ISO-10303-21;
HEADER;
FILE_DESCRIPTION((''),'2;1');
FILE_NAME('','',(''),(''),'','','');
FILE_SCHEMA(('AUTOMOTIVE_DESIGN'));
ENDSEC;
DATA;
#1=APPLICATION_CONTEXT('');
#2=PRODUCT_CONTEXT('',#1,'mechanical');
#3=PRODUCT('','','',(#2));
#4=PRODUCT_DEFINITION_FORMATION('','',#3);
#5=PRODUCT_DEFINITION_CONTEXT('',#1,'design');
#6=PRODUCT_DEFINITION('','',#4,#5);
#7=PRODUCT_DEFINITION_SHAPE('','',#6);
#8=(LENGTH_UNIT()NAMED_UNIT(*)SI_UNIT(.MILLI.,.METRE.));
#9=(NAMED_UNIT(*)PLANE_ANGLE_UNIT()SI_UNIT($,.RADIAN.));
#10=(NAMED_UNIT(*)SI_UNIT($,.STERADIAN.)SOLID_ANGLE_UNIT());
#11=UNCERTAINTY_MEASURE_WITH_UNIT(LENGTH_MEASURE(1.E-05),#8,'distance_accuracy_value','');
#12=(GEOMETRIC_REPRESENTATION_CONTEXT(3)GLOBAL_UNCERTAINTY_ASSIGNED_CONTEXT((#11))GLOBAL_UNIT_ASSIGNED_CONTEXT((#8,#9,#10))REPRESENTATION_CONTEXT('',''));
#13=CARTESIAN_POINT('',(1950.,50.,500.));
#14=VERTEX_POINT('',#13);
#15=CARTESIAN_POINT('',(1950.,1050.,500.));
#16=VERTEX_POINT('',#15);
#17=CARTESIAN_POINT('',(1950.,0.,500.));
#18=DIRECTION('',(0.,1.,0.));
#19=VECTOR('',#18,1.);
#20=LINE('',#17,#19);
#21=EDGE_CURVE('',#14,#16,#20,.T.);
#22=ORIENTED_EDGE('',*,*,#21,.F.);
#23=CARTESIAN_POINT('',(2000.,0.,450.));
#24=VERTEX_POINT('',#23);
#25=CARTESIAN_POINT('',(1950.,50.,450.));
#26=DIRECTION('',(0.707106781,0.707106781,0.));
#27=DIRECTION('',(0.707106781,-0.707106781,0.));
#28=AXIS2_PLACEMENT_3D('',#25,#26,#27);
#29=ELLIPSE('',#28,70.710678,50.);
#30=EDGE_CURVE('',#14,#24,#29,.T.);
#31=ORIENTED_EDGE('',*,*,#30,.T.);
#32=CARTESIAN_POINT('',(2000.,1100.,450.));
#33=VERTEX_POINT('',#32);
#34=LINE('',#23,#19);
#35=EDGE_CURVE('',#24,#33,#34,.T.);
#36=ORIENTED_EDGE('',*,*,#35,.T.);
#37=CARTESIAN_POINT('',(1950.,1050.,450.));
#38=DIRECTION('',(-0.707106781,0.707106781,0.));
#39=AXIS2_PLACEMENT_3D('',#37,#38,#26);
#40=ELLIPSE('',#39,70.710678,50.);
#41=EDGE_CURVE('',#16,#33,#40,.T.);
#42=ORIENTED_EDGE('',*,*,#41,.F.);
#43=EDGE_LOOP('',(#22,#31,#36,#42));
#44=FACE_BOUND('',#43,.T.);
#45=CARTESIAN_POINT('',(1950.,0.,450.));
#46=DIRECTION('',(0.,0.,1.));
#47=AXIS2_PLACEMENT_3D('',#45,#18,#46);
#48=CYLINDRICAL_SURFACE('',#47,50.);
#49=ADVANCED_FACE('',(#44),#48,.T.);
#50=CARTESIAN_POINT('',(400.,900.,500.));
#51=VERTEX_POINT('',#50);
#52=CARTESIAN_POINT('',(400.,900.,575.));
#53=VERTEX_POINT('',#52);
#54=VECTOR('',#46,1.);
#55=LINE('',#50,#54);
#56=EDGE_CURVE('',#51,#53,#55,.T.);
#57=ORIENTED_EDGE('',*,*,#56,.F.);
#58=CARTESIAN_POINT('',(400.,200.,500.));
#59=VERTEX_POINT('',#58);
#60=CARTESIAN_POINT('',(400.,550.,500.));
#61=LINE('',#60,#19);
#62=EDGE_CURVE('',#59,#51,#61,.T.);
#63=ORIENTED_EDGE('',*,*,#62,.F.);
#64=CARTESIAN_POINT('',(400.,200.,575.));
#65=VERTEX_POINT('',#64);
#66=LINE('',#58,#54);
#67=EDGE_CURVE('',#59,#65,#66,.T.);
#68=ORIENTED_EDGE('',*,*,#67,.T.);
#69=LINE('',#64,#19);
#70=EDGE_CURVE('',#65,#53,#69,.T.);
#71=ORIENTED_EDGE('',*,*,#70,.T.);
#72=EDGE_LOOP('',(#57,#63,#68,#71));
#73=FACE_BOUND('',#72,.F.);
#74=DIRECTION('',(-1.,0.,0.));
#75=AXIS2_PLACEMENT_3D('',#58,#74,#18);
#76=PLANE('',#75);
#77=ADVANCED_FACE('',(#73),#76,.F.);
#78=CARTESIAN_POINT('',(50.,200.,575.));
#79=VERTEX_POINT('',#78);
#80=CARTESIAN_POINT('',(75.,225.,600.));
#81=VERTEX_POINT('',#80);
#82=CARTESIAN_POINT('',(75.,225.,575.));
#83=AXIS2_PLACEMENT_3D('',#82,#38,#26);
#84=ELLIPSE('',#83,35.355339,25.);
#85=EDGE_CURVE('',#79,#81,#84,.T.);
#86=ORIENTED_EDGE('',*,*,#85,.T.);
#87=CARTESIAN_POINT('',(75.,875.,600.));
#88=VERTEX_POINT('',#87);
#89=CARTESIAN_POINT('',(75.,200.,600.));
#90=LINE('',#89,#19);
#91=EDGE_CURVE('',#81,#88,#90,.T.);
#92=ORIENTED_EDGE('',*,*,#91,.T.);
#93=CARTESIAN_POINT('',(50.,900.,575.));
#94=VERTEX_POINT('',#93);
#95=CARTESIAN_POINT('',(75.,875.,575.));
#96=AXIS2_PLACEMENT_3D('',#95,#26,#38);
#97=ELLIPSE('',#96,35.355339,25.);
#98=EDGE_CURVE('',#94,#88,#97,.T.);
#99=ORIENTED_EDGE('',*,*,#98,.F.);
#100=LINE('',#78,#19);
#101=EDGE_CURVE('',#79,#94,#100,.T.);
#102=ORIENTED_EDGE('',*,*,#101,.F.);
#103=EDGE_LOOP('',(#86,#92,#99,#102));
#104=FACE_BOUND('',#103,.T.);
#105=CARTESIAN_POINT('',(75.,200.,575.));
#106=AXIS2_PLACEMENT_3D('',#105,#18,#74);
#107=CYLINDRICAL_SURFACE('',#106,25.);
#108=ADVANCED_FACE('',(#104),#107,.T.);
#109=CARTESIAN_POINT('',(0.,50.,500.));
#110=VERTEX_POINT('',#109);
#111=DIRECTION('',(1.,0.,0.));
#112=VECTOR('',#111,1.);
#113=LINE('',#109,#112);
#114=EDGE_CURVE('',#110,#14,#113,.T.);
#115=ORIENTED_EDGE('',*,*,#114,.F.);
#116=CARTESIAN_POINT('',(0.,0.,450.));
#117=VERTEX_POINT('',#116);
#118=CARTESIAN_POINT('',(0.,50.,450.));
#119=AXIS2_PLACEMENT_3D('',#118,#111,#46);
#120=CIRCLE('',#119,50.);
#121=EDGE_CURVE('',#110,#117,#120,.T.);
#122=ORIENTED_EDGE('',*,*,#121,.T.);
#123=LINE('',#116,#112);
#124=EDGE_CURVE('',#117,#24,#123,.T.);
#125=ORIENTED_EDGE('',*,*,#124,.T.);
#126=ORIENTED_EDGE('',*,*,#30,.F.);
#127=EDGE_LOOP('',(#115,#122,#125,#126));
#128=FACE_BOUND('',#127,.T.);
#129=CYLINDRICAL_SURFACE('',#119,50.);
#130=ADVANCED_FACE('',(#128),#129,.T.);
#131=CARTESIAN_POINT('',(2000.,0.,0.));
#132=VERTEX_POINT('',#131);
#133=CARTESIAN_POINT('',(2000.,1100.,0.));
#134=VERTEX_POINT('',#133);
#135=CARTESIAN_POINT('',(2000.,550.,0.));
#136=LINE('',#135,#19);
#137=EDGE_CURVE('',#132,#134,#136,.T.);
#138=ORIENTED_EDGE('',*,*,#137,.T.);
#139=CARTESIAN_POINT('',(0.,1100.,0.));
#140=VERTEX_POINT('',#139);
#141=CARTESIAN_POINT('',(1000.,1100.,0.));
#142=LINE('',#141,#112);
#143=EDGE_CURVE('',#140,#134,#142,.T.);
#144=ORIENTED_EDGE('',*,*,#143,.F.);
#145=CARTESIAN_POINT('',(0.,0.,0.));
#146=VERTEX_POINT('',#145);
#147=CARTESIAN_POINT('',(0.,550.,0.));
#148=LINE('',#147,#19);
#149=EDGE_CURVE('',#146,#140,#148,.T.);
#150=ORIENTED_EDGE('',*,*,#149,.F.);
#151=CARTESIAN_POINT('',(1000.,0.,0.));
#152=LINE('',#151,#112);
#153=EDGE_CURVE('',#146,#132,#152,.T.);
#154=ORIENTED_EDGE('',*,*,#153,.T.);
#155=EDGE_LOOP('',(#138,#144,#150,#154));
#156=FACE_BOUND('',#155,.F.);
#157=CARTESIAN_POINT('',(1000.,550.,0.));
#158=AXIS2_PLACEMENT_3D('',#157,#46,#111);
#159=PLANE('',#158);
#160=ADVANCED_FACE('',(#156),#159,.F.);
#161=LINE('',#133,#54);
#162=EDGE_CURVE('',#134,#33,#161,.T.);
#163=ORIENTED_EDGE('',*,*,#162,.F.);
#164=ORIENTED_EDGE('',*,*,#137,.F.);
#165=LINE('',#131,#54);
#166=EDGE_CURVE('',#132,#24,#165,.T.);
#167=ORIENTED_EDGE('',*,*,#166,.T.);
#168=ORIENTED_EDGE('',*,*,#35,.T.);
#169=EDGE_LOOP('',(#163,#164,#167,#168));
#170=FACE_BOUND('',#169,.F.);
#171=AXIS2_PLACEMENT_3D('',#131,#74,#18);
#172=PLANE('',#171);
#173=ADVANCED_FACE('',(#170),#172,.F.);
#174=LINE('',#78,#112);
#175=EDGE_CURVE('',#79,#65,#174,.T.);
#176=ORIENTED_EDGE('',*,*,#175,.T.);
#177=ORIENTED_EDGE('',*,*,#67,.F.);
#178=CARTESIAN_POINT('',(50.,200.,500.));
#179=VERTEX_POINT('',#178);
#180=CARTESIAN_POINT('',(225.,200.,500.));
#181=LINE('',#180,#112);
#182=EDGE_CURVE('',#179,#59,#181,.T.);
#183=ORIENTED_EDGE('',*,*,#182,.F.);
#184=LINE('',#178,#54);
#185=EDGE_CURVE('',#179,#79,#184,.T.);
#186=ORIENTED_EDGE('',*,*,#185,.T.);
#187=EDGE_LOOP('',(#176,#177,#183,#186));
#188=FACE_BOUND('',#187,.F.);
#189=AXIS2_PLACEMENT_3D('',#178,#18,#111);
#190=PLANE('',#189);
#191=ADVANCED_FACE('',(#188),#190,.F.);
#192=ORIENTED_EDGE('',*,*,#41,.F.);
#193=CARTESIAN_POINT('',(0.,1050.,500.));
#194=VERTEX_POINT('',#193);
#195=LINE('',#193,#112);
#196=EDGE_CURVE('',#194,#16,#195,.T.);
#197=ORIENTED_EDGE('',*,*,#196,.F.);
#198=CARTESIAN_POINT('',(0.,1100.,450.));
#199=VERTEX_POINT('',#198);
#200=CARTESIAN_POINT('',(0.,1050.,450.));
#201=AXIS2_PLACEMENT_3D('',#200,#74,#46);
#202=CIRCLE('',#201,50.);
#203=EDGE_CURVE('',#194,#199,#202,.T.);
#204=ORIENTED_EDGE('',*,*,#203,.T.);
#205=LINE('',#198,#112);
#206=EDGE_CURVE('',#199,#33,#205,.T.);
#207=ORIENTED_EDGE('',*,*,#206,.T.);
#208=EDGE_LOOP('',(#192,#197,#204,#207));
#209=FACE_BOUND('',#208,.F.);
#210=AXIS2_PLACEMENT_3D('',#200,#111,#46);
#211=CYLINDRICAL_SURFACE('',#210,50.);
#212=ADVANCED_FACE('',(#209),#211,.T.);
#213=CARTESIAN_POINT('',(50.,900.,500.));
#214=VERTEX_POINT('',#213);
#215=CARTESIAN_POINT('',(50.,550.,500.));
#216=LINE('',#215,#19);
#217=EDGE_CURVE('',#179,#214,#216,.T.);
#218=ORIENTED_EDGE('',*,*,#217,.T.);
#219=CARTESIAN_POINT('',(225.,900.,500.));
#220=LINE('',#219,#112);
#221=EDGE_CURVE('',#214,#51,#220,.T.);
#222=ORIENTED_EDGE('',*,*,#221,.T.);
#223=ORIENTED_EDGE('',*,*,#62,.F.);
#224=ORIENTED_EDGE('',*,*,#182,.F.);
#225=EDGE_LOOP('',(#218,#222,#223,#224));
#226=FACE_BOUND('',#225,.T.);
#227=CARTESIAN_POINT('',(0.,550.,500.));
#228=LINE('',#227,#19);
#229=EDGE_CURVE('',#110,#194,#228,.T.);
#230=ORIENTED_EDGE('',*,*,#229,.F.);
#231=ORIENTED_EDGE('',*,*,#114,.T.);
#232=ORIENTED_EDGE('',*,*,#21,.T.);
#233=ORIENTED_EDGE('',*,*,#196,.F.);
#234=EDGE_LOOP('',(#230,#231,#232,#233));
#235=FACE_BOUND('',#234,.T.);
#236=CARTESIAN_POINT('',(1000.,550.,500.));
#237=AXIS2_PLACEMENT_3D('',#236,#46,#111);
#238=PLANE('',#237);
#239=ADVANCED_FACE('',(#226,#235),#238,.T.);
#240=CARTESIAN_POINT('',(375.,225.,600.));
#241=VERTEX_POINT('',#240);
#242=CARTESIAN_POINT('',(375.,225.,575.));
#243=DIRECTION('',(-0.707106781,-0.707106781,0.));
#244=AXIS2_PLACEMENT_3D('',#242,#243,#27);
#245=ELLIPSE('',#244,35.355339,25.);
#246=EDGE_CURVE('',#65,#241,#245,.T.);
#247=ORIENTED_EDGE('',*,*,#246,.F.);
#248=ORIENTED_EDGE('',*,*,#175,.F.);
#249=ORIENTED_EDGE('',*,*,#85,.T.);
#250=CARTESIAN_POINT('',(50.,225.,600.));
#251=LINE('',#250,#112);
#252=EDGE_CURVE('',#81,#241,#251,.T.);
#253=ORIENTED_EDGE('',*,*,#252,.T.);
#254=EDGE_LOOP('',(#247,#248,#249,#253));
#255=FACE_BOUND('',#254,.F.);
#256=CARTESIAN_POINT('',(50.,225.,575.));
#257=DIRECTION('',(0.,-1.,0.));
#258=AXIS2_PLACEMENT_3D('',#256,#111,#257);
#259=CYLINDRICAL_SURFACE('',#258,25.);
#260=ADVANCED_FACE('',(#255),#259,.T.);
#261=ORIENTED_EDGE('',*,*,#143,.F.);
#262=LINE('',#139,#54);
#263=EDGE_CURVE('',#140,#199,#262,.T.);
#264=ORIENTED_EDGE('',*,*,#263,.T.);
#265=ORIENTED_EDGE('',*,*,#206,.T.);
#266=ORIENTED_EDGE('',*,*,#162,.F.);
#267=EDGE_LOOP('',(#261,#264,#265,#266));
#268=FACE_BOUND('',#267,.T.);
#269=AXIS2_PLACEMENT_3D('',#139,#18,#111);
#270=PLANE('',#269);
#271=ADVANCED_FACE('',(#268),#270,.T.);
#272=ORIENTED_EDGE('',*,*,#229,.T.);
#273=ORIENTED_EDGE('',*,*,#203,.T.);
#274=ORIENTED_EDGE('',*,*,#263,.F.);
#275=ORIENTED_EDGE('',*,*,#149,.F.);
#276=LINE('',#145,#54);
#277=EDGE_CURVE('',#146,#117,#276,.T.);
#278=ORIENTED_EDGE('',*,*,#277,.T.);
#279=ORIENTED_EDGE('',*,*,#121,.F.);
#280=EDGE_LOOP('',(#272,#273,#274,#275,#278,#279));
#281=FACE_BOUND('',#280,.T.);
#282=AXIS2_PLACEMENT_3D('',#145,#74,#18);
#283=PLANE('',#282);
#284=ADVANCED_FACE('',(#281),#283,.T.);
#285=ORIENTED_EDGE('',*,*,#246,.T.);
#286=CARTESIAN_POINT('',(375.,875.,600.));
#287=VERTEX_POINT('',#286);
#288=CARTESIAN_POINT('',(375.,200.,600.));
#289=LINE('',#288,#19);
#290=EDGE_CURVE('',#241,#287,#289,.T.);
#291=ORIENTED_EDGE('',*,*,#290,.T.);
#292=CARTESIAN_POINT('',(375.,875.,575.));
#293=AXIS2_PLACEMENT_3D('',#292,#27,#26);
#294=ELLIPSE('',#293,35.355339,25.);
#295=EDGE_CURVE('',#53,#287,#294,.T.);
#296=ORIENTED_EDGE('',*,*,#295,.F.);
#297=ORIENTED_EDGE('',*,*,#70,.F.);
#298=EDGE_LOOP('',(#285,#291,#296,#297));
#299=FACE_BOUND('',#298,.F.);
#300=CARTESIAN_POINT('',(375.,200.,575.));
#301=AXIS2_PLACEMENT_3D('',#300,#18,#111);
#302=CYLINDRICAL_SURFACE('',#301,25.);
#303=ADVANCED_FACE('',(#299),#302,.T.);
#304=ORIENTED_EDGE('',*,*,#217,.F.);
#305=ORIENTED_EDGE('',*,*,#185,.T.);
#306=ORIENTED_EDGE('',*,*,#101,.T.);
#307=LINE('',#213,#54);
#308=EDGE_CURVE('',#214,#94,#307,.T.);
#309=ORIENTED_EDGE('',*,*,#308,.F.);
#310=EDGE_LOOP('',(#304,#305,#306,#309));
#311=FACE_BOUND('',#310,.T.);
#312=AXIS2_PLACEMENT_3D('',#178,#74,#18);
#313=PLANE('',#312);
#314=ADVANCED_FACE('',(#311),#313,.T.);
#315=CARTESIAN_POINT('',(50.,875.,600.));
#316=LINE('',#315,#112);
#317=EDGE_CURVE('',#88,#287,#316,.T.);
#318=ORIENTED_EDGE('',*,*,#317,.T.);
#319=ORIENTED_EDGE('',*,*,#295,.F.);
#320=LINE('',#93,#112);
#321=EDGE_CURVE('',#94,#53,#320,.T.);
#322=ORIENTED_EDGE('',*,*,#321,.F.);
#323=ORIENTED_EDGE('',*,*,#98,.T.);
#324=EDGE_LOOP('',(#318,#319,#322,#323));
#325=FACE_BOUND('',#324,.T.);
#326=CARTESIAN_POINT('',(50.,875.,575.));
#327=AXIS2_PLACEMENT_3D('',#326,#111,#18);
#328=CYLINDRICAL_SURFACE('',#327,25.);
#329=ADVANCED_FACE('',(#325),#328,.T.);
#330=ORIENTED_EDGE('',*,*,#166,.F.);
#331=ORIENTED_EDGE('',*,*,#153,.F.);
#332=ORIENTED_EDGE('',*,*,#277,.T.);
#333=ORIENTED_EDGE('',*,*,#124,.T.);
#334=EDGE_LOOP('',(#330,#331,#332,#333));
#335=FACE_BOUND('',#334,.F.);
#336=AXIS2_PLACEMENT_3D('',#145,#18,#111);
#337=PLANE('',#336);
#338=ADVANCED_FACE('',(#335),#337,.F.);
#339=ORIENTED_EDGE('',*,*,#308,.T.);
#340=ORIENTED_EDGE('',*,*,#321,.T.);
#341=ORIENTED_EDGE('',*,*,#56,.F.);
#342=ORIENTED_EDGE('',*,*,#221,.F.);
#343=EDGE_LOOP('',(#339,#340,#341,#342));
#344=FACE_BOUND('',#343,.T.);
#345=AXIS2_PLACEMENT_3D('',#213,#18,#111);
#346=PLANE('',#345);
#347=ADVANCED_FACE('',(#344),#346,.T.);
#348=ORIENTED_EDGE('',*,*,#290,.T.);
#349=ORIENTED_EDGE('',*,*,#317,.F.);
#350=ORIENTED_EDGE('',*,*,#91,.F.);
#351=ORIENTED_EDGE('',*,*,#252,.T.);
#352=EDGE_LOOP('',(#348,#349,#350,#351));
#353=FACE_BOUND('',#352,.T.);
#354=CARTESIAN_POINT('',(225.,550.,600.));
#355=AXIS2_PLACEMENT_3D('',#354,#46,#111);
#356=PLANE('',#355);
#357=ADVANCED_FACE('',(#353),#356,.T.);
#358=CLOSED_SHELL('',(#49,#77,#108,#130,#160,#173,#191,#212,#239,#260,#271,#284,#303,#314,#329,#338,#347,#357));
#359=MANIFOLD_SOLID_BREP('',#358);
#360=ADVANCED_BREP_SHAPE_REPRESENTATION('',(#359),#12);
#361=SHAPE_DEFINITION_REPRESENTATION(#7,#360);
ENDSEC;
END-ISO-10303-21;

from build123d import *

# Parameters (mm, degrees)
F0_W     = 2000
F0_H     = 1100
F1_DEPTH = 500
F2_W     = 350
F2_H     = 700
F3_DEPTH = 100
F4_R     = 25
F5_R     = 50


with BuildPart() as f1:
    # F0 (on Top) → F1 (new body)
    with BuildSketch(Plane.XY):
        with Locations((1000, 550)):
            Rectangle(F0_W, F0_H)
    extrude(amount=F1_DEPTH)

    # F2 (on face) → F3 (join)
    with BuildSketch(Plane.XY.offset(500)):
        with Locations((225, 550)):
            Rectangle(F2_W, F2_H)
    extrude(amount=F3_DEPTH)

    # F4
    f4_edges = [f1.edges().sort_by_distance(p)[0] for p in [
        (225, 200, 600),
        (50, 550, 600),
        (400, 550, 600),
        (225, 900, 600),
    ]]
    fillet(f4_edges, radius=F4_R)

    # F5
    f5_edges = [f1.edges().sort_by_distance(p)[0] for p in [
        (1000, 0, 500),
        (2000, 550, 500),
        (1000, 1100, 500),
    ]]
    fillet(f5_edges, radius=F5_R)


solid = f1.part
